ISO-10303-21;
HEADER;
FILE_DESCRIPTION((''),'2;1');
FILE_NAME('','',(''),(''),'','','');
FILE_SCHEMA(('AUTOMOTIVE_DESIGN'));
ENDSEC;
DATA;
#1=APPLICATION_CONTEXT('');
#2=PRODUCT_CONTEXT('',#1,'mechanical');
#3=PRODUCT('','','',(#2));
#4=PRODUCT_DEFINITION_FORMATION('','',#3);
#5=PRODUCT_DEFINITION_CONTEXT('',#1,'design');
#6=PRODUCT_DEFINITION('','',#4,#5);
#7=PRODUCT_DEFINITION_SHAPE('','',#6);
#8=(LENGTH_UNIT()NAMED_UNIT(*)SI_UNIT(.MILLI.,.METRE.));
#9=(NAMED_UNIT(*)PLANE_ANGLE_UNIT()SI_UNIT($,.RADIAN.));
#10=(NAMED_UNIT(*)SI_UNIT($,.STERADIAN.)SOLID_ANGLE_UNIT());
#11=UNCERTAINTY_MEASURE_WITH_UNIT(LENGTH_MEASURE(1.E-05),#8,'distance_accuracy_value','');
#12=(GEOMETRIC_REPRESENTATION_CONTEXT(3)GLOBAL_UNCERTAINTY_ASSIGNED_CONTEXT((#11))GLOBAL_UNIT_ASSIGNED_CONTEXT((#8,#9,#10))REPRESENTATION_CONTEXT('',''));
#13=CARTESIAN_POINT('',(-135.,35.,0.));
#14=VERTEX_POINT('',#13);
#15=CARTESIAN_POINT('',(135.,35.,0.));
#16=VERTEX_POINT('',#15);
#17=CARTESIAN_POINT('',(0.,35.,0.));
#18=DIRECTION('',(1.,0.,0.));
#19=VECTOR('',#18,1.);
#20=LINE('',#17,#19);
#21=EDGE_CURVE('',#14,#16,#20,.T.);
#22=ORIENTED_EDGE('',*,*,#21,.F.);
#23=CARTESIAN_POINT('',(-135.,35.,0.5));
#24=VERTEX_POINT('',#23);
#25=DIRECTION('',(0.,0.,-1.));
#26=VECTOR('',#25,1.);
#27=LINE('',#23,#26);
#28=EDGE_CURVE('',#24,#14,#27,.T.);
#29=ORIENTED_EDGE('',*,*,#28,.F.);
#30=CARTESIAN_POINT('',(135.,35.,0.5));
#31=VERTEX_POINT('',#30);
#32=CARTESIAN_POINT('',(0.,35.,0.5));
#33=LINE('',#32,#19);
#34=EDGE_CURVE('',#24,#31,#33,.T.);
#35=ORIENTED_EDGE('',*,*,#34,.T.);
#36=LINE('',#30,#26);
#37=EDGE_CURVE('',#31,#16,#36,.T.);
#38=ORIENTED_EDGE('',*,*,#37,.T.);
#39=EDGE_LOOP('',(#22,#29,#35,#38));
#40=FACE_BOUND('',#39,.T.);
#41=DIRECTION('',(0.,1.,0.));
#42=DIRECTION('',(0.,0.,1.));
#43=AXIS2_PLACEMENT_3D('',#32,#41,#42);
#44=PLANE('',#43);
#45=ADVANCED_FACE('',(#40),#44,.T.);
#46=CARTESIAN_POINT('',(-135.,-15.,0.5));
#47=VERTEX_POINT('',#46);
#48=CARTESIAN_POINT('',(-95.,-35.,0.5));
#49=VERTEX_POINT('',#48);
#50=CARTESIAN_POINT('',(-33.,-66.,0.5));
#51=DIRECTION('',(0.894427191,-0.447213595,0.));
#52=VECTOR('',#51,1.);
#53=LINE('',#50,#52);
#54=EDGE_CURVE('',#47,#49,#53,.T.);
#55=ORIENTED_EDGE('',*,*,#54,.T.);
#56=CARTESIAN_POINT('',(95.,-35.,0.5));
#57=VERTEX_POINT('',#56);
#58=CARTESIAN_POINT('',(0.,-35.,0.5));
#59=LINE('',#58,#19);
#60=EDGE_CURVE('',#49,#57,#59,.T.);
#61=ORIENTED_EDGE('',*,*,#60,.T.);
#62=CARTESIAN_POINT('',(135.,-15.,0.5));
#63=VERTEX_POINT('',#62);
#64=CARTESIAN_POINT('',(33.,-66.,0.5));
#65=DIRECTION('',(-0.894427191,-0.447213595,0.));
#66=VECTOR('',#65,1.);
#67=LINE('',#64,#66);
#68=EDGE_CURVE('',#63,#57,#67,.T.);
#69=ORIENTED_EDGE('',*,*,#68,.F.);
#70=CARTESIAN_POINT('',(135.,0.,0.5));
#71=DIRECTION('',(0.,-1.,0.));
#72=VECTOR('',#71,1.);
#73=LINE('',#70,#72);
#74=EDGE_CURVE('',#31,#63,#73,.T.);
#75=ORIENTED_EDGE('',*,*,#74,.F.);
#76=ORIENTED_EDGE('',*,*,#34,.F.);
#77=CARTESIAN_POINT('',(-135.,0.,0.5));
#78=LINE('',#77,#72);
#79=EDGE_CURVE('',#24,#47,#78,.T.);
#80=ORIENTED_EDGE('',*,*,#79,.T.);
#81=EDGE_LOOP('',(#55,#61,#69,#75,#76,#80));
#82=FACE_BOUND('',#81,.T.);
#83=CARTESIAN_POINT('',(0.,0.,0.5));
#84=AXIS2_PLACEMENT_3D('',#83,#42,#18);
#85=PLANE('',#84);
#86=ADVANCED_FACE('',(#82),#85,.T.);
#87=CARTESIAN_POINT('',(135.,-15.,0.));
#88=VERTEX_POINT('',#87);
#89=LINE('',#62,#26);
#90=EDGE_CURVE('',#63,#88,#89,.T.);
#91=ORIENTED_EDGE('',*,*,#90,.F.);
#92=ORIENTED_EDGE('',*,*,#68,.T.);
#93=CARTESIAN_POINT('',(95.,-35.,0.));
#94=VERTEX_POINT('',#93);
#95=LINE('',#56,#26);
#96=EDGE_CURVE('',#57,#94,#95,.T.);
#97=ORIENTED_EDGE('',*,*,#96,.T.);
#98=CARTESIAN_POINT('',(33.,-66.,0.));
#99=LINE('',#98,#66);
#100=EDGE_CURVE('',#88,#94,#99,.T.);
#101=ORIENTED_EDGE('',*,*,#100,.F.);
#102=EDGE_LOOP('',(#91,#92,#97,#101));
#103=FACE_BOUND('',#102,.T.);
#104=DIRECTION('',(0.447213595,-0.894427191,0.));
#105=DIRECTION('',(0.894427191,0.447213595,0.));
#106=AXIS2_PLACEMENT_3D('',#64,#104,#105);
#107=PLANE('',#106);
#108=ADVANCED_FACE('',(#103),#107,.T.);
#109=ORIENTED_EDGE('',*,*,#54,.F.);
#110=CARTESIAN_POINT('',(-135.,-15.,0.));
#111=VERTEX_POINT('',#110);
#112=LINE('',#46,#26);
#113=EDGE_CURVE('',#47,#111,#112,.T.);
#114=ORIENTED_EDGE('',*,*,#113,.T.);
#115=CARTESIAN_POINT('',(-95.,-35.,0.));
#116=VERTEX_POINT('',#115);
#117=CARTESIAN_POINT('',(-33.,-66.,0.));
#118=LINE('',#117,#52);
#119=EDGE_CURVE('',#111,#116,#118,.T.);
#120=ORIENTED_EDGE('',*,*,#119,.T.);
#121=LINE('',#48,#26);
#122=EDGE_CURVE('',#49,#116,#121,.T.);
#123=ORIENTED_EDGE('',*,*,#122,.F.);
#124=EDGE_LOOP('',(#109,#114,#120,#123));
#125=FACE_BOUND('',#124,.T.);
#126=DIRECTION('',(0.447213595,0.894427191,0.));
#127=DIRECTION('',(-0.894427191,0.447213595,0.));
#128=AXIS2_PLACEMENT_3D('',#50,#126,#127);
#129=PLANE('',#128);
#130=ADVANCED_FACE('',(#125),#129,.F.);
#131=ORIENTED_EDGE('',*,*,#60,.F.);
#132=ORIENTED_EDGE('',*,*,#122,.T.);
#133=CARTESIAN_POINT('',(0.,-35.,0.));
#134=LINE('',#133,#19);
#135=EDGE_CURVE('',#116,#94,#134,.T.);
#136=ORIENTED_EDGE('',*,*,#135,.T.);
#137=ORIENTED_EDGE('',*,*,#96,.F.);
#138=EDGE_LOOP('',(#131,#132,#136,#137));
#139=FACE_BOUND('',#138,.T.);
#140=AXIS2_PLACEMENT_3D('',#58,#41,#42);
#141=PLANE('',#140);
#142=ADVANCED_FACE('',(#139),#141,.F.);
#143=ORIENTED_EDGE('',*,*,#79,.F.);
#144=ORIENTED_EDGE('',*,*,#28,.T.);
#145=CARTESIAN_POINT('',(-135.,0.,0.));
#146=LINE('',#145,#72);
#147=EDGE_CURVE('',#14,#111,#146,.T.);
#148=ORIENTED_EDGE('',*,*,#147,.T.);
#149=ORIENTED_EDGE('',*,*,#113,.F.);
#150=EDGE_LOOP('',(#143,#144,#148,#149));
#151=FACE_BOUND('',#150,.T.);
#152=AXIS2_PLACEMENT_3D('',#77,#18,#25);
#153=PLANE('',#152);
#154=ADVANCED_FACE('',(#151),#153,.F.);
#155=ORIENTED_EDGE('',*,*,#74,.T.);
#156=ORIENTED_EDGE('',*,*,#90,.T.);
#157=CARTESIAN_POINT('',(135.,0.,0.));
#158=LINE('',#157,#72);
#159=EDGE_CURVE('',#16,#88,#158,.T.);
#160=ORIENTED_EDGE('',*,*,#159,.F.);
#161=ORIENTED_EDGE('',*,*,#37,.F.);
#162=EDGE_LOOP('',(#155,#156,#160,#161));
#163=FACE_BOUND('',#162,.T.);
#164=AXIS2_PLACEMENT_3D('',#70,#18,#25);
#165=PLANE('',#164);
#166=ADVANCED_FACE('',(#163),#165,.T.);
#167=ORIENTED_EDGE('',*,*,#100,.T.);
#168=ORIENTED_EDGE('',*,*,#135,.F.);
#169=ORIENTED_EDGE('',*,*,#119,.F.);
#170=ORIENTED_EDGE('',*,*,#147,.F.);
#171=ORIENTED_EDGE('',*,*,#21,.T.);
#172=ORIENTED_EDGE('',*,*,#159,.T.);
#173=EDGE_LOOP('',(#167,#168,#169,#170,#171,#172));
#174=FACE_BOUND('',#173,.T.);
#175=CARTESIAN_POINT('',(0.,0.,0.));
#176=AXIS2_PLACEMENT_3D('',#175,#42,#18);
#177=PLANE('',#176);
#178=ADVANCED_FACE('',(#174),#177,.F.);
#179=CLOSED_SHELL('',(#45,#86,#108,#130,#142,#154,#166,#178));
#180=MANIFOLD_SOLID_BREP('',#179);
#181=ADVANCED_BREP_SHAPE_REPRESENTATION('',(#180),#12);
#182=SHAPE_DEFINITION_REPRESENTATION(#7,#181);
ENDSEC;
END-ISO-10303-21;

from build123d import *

# Parameters (mm, degrees)
BOSS_EXTRU_1_DEPTH = 0.5


with BuildPart() as part:
    # Esquisse1 → Boss.-Extru.1 (new body)
    with BuildSketch(Plane.XY):
        Polygon((135, 35), (-135, 35), (-135, -15), (-95, -35), (95, -35), (135, -15), align=None)
    extrude(amount=BOSS_EXTRU_1_DEPTH)


solid = part.part
